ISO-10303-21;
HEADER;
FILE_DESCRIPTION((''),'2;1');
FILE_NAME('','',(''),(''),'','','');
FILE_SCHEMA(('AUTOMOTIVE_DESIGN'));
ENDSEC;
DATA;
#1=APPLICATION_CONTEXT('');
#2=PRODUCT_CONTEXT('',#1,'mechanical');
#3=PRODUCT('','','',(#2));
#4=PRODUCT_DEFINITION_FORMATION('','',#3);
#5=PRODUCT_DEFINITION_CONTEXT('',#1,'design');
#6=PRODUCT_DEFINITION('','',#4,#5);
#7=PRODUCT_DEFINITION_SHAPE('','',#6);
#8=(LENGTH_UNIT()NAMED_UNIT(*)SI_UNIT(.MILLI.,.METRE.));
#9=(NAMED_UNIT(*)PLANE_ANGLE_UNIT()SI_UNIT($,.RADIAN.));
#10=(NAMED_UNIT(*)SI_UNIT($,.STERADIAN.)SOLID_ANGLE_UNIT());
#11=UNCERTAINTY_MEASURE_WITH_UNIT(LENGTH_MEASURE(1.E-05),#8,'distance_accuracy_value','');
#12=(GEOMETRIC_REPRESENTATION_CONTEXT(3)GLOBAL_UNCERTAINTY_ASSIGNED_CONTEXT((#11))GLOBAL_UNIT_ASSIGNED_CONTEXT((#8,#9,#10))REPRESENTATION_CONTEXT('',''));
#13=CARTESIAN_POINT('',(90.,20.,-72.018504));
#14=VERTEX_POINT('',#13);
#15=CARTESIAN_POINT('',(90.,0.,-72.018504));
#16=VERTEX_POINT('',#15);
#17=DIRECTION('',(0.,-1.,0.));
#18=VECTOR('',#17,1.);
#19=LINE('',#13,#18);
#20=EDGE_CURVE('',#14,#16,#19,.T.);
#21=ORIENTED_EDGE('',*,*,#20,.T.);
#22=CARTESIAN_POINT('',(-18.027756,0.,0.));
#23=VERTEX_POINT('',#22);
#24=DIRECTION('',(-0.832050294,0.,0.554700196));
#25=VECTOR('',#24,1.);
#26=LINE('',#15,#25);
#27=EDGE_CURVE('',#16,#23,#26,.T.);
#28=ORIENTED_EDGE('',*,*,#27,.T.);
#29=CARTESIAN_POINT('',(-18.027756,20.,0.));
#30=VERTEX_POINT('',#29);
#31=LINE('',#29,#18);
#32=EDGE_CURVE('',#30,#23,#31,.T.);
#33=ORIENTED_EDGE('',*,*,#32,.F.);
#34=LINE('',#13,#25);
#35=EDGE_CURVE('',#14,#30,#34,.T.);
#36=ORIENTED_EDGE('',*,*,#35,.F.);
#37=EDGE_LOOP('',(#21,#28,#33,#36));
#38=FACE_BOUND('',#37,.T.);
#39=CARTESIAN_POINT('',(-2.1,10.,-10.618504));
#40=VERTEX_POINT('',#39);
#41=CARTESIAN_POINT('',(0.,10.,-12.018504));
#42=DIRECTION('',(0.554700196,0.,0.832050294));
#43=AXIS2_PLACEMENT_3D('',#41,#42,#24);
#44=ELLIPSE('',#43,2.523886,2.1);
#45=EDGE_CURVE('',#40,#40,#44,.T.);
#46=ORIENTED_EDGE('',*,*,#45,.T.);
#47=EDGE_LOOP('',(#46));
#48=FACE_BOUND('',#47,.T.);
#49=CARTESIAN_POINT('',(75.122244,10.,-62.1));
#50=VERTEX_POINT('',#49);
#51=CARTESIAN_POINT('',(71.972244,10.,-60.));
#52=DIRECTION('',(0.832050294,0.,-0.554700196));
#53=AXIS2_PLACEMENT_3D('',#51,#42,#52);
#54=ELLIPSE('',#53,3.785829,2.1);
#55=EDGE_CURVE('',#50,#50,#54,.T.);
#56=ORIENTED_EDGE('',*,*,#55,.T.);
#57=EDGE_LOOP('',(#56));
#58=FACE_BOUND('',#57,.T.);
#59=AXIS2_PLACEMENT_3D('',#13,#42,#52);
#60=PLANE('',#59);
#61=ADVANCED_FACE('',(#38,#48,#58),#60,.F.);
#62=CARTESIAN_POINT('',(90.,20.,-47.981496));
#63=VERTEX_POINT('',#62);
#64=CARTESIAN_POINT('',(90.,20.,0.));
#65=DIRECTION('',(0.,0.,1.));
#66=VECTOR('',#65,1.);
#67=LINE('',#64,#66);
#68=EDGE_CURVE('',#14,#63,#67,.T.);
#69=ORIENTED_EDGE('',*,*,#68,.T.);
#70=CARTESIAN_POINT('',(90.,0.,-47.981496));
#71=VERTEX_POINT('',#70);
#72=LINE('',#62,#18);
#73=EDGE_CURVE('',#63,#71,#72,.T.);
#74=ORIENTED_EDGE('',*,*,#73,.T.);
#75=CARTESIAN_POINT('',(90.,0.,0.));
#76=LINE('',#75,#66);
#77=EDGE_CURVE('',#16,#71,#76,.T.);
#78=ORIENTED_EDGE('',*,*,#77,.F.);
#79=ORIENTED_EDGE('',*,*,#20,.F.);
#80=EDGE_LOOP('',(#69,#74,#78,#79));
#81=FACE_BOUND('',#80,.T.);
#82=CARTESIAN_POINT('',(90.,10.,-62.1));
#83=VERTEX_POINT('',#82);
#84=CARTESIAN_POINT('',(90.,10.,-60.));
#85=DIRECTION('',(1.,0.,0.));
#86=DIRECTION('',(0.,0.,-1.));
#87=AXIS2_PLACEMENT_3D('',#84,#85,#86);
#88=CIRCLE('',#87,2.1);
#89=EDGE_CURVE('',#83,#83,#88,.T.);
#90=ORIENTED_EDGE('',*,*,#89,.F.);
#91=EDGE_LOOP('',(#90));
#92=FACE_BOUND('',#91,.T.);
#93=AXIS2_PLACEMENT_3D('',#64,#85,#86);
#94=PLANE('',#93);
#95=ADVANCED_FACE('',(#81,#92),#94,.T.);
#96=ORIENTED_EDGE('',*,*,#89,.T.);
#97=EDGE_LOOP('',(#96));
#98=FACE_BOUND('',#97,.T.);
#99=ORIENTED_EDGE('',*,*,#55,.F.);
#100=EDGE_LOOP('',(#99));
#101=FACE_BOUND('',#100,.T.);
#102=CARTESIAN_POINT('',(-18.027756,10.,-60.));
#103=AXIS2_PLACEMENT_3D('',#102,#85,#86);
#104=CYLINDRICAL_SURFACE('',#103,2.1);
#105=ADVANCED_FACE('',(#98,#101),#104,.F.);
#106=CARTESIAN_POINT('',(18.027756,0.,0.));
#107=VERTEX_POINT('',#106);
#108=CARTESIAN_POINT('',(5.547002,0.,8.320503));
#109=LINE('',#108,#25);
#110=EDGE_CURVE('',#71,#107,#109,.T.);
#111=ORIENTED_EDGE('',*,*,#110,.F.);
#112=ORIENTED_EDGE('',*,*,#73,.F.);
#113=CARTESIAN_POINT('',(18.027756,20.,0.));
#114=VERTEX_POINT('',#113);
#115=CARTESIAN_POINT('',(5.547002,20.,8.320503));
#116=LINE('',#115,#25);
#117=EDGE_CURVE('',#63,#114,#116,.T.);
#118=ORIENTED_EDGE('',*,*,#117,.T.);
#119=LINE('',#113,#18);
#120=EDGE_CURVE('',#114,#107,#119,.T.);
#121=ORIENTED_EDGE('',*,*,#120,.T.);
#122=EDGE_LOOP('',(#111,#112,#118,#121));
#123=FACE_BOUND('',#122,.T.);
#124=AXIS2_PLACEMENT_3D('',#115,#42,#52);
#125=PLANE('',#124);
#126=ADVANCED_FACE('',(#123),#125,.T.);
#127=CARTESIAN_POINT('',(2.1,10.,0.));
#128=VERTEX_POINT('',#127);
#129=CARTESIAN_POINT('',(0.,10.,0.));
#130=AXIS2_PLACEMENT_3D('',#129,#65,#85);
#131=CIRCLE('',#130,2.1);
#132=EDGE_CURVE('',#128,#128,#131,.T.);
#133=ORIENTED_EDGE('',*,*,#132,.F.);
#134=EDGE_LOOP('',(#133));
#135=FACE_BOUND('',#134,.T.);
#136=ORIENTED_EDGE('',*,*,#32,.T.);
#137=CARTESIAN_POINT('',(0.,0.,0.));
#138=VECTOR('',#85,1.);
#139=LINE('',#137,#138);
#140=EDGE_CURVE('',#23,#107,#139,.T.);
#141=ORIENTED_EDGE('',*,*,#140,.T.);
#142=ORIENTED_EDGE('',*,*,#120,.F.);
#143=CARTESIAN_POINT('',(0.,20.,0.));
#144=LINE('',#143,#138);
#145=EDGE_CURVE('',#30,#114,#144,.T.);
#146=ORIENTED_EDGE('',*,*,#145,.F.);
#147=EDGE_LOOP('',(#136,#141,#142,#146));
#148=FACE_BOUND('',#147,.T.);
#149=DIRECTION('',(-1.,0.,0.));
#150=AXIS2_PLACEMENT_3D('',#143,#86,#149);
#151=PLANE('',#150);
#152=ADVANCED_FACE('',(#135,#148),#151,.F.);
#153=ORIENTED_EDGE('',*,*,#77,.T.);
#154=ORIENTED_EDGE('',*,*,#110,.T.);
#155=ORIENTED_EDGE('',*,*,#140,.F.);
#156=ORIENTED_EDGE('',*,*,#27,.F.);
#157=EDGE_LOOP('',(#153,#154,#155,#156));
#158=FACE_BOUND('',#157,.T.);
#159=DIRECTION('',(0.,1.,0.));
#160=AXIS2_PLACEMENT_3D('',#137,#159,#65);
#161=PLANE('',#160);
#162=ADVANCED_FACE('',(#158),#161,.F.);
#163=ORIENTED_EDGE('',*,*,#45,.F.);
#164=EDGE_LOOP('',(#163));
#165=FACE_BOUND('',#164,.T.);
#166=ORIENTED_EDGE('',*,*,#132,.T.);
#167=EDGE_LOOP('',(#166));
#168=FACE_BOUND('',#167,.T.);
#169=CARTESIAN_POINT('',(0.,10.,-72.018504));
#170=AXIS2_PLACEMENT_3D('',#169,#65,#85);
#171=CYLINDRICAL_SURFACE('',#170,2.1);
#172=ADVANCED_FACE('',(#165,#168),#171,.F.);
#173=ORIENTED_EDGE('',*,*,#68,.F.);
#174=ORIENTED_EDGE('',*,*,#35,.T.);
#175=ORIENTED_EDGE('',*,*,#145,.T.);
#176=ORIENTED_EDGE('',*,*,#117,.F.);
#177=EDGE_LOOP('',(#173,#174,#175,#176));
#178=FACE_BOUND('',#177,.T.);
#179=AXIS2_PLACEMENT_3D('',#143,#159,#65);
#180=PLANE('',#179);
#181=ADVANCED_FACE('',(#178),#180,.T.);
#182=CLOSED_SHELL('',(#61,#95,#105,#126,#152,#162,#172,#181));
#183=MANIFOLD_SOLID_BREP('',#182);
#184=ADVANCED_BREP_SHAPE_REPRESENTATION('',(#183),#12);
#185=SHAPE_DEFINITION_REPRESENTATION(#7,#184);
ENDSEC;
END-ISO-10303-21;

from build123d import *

# Parameters (mm, degrees)
EXTRUDE_1_DEPTH     = 20
SKETCH_2_R          = 2.1
CUT_EXTRUDE_2_DEPTH = 132.364611302
SKETCH_6_R          = 2.1
CUT_EXTRUDE_3_DEPTH = 117.990020748


with BuildPart() as part:
    # 草图1 → 凸台-拉伸1 (new body)
    with BuildSketch(Plane(origin=(0, 0, 0), x_dir=(1, 0, 0), z_dir=(0, 1, 0))):
        Polygon((90, 72.018504252), (-18.027756377, 0), (18.027756377, 0), (90, 47.981495748), align=None)
    extrude(amount=EXTRUDE_1_DEPTH)

    # 草图2 → 切除-拉伸2 (cut, through all)
    with BuildSketch(Plane(origin=(90, 0, 0), x_dir=(0, 0, -1), z_dir=(1, 0, 0))):
        with Locations((60, 10)):
            Circle(SKETCH_2_R)
    extrude(amount=-CUT_EXTRUDE_2_DEPTH, mode=Mode.SUBTRACT)

    # 草图6 → 切除-拉伸3 (cut, through all)
    with BuildSketch(Plane.XY):
        with Locations((0, 10)):
            Circle(SKETCH_6_R)
    extrude(amount=-CUT_EXTRUDE_3_DEPTH, mode=Mode.SUBTRACT)


solid = part.part
